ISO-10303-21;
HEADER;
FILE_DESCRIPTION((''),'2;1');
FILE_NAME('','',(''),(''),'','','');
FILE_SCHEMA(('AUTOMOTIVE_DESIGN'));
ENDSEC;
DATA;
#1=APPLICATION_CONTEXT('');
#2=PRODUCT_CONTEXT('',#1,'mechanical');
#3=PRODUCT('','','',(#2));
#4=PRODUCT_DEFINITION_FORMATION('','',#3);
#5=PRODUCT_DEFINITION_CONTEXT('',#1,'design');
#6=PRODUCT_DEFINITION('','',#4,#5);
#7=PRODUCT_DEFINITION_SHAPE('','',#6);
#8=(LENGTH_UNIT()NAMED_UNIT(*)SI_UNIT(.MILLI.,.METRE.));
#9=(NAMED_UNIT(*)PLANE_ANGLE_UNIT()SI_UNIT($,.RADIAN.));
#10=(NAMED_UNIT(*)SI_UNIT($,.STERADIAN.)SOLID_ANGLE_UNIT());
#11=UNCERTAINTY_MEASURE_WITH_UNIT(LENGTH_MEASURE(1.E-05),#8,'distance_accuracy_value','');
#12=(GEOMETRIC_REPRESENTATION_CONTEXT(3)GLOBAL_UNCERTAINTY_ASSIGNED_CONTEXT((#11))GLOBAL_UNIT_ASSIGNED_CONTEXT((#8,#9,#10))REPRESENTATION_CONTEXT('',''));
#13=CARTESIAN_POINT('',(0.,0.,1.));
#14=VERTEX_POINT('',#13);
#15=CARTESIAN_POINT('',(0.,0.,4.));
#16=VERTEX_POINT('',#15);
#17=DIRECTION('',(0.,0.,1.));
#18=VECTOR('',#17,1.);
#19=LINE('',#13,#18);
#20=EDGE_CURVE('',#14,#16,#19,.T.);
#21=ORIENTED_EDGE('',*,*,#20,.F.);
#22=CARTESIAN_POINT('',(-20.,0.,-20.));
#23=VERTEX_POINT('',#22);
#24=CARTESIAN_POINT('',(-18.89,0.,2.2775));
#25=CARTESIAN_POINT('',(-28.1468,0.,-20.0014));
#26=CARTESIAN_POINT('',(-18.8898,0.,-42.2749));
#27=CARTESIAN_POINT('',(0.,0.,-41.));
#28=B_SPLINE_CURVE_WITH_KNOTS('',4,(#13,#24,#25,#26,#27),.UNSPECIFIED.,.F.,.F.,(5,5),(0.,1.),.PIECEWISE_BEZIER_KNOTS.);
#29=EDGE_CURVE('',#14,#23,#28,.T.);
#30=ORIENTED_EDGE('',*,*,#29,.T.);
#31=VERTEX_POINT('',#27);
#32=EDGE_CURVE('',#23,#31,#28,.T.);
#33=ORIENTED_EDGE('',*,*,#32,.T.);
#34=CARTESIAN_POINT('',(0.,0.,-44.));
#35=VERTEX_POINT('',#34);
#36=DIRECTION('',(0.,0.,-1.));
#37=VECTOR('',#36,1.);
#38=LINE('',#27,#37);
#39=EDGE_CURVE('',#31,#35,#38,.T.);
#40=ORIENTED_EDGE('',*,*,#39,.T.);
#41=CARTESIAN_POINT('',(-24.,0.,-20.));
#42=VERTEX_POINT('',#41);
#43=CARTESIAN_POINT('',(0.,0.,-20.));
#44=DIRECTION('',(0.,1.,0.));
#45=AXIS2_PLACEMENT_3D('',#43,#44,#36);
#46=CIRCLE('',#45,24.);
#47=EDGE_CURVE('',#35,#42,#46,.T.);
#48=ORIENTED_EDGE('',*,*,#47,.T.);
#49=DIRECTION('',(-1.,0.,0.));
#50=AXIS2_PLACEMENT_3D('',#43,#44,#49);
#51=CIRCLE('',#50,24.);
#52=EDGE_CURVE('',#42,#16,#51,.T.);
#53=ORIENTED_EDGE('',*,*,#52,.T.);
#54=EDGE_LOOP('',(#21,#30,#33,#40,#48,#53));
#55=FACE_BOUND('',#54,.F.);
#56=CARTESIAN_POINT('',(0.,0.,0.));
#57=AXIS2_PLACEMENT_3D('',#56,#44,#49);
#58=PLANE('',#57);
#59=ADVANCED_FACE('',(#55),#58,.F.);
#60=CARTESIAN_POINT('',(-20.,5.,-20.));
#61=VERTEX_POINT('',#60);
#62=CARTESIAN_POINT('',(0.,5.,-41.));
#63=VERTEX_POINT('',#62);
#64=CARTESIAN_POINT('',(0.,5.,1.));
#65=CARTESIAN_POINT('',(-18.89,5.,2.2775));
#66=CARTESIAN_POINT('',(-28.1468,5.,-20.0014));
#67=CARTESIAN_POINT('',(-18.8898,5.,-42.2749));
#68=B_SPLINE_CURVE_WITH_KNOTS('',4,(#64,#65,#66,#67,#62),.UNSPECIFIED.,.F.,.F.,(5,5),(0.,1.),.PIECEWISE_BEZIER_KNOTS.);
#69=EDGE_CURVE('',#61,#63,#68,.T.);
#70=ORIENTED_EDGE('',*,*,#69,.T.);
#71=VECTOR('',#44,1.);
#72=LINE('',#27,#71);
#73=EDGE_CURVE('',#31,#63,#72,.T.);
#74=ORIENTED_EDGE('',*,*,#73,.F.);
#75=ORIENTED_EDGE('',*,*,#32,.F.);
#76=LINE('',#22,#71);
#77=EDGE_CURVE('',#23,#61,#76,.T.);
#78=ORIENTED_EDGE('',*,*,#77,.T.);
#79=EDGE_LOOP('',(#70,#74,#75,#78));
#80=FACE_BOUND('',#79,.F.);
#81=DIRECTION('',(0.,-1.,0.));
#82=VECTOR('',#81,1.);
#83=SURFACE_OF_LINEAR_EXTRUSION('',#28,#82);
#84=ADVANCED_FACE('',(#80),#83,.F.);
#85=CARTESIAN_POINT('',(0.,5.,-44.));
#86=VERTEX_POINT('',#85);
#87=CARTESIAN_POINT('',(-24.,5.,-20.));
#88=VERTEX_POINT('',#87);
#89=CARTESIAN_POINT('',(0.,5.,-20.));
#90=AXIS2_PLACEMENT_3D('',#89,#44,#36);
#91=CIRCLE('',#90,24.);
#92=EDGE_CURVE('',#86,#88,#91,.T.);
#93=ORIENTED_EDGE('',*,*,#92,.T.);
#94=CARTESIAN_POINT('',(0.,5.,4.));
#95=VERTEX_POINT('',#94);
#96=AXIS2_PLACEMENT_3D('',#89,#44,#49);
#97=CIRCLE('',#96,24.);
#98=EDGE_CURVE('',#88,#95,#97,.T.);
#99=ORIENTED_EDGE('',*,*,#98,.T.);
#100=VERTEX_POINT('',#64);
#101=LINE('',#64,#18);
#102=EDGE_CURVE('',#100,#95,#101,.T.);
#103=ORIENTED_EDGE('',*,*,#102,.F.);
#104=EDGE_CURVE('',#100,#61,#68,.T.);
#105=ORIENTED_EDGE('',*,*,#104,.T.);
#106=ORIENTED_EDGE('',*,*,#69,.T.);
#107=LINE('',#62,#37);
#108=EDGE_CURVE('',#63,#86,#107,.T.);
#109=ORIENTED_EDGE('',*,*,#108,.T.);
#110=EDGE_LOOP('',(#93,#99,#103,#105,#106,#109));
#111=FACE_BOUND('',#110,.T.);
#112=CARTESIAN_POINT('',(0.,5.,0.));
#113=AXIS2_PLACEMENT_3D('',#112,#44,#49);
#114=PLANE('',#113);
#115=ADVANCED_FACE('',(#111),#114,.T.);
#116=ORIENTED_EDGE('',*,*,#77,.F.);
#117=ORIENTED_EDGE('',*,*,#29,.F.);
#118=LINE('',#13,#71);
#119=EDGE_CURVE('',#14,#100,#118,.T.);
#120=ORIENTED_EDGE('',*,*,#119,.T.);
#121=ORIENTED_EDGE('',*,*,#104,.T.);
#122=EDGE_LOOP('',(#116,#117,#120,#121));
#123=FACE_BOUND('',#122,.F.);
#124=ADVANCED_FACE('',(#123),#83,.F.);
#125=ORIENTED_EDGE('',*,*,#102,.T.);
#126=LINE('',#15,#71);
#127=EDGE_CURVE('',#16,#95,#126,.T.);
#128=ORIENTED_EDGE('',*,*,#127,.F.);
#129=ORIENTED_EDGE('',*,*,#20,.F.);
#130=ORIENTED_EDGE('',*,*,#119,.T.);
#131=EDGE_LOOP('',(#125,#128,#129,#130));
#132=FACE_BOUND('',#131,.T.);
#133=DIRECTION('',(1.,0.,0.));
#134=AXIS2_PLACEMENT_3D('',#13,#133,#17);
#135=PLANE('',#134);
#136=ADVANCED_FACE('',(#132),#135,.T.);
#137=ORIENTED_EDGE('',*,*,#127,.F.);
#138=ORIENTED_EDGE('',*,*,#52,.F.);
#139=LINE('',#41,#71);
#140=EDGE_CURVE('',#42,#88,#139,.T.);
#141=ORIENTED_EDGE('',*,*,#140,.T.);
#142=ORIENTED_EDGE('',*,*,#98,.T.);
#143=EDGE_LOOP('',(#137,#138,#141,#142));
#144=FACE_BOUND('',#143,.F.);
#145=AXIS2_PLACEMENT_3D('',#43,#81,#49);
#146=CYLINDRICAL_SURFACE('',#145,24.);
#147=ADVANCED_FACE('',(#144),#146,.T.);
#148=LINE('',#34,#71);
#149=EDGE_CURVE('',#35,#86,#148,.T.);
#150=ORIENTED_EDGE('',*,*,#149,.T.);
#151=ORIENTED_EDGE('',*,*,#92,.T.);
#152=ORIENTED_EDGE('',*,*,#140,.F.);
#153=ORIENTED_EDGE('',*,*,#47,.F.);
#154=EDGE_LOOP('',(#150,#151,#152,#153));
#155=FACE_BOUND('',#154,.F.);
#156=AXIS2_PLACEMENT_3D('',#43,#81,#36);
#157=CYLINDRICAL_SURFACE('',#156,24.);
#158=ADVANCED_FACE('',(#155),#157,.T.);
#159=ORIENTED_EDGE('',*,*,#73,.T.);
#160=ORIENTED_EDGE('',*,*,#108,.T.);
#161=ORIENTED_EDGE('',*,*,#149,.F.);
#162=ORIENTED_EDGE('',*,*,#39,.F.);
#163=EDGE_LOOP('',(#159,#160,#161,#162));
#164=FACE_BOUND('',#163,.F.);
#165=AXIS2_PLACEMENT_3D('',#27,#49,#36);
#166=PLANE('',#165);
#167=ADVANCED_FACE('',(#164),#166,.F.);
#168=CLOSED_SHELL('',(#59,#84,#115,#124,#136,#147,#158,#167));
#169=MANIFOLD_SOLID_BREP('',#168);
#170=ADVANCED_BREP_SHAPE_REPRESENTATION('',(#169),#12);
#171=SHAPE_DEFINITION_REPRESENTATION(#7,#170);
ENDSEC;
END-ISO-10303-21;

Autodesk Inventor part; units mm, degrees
ref_plane "YZ Plane" through (0, 0, 0) normal (1, 0, 0) x (0, 1, 0)
ref_plane "XZ Plane" through (0, 0, 0) normal (0, 1, 0) x (-1, 0, 0)
ref_plane "XY Plane" through (0, 0, 0) normal (0, 0, 1) x (1, 0, 0)
sketch "Sketch1" plane through (0, 0, 0) normal (0, 1, 0) x (-1, 0, 0)
  line L0 (0, 0) -> (0, -40)
  line L1 (0, -20) -> (20, -20)
  dimension "d0" = 40
  dimension "d1" = 20
sketch "Sketch2" plane through (0, 0, 0) normal (0, 1, 0) x (-1, 0, 0)
  arc A0 (0, -40) -> (0, 0) centre (0, -20) ccw
  line L0 (0, 0) -> (0, 1)
  line L1 (0, -40) -> (0, -41)
  line L2 (0, -20) -> (14.8492, -5.1508) construction
  line L3 (0, -20) -> (0, 1) construction
  spline S0 degree 4 poles (0, 1) (18.89, 2.2775) (28.1468, -20.0014) (18.8898, -42.2749) (0, -41) knots 0 0 0 0 0 1 1 1 1 1
  line L4 (0, 1) -> (0, 4)
  line L5 (0, 4) -> (5, 4)
  line L6 (0, -41) -> (0, -44)
  line L7 (0, -44) -> (5, -44)
  line L8 (20, -20) -> (23, -20)
  arc A1 (24, -20) -> (0, 4) centre (0, -20) ccw
  arc A2 (0, -44) -> (24, -20) centre (0, -20) ccw
  point P0 (14.8493, -34.8486)
  dimension "d4" = 1
  dimension "d5" = 1
  dimension "d6" = 45
  dimension "d7" = 3
  dimension "d8" = 5
  dimension "d9" = 3
  dimension "d10" = 5
  dimension "d11" = 3
extrude "Extrusion1" add sketch "Sketch2" along normal blind 5 contours S0 L4 A1 A2 L6
properties part number "BassGuitarCurveTest"
